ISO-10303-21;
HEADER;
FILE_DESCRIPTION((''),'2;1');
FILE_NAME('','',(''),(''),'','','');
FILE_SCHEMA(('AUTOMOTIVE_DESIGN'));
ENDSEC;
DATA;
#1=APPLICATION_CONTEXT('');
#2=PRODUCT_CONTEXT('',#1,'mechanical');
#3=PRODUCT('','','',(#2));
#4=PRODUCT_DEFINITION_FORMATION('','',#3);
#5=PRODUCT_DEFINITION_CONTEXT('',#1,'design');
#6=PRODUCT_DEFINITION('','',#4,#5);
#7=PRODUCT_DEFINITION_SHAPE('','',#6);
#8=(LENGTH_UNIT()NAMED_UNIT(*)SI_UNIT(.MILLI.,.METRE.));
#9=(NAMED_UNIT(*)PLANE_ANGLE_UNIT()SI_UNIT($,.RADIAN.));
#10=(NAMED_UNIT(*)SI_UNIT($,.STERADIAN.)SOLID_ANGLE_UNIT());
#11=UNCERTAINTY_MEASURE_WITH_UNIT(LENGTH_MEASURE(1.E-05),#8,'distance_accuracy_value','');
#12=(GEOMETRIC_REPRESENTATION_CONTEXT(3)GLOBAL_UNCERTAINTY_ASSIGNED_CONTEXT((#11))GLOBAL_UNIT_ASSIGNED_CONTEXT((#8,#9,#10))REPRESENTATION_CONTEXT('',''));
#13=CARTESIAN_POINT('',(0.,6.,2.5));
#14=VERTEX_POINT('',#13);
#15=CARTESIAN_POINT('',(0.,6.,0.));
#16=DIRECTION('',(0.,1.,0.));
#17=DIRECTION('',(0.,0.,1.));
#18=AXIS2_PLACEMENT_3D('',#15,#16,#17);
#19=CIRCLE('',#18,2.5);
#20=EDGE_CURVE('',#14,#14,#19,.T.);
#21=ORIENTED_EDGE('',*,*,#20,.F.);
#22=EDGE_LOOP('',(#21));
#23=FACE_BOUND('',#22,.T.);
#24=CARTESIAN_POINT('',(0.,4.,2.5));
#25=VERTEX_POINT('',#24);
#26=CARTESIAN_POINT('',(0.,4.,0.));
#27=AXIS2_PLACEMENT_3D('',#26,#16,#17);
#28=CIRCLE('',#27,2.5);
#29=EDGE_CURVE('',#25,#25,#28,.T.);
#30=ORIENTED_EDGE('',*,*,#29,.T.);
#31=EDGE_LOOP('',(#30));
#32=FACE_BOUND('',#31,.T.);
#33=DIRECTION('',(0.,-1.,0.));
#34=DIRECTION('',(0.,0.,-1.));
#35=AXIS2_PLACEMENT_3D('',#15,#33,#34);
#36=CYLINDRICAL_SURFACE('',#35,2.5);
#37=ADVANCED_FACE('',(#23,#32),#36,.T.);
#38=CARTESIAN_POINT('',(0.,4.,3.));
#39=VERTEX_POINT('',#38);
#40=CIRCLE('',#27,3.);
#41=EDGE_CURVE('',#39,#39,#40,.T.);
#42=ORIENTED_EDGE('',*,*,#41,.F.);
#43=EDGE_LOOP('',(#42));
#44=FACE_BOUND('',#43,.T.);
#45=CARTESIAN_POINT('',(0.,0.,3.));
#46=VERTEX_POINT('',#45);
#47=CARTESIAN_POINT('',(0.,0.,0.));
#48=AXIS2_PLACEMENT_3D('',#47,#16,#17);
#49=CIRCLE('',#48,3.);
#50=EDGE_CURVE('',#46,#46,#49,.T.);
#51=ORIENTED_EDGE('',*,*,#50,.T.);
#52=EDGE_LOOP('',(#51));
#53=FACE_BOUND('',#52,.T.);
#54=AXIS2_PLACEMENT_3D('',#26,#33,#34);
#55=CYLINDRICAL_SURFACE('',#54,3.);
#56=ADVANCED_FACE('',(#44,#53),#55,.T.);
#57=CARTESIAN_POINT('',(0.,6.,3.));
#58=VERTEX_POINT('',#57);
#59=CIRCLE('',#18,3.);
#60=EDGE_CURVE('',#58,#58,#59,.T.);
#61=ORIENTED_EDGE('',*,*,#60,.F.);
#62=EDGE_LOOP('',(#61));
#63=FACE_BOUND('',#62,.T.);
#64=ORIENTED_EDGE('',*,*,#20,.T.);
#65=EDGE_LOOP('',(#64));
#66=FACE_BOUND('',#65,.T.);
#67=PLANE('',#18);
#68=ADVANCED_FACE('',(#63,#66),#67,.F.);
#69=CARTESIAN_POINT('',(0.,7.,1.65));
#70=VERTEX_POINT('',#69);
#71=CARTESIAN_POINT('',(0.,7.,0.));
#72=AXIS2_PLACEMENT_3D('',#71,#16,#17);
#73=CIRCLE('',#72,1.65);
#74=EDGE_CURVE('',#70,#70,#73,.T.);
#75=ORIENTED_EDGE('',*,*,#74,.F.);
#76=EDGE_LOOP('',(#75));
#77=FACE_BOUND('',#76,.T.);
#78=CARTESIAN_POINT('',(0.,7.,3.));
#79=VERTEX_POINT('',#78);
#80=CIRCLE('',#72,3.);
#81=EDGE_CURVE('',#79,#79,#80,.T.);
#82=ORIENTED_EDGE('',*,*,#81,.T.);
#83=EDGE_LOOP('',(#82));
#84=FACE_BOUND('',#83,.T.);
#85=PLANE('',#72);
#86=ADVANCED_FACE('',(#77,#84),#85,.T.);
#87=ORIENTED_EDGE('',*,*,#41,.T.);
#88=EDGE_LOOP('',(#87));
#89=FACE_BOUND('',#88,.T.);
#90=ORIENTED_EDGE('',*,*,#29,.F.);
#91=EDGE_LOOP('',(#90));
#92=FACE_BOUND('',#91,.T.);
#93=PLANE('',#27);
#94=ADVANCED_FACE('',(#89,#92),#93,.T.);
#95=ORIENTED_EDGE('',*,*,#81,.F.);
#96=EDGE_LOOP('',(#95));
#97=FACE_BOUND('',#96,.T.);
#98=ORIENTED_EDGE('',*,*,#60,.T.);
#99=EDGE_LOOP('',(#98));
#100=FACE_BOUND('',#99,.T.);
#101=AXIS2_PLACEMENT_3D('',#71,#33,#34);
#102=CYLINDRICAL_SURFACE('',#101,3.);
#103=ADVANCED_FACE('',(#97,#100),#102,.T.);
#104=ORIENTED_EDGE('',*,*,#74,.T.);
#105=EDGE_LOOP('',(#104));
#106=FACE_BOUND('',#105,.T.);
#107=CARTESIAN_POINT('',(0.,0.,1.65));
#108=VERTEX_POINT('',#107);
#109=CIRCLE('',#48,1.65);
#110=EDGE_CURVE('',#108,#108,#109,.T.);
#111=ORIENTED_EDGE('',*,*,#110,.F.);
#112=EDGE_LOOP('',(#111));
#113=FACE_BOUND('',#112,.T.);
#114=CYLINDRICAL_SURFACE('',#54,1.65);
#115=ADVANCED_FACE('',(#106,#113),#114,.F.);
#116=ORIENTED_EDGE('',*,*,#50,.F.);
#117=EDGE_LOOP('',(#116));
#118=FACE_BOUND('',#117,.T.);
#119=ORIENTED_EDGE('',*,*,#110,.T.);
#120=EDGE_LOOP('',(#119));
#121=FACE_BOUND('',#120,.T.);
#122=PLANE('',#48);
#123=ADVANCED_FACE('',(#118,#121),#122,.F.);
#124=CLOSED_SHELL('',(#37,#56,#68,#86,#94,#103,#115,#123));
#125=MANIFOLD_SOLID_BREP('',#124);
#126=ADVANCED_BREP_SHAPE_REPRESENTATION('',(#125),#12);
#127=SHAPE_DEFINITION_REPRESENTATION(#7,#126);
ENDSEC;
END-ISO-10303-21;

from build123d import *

# Parameters (mm, degrees)
SKETCH_1_R      = 3
SKETCH_1_R_2    = 1.65
EXTRUDE_1_DEPTH = 4
SKETCH_2_R      = 2.5
SKETCH_2_R_2    = 1.65
EXTRUDE_2_DEPTH = 2
SKETCH_3_R      = 3
SKETCH_3_R_2    = 1.65
EXTRUDE_3_DEPTH = 1


with BuildPart() as part:
    # 草图1 → 凸台-拉伸1 (new body)
    with BuildSketch(Plane(origin=(0, 0, 0), x_dir=(1, 0, 0), z_dir=(0, 1, 0))):
        with Locations(Location((0, 0, 0), (0, 0, 270))):
            Circle(SKETCH_1_R)
        with Locations(Location((0, 0, 0), (0, 0, 270))):
            Circle(SKETCH_1_R_2, mode=Mode.SUBTRACT)
    extrude(amount=EXTRUDE_1_DEPTH)

    # 草图2 → 凸台-拉伸2 (add)
    with BuildSketch(Plane(origin=(0, 4, 0), x_dir=(1, 0, 0), z_dir=(0, 1, 0))):
        with Locations(Location((0, 0, 0), (0, 0, 270))):
            Circle(SKETCH_2_R)
        with Locations(Location((0, 0, 0), (0, 0, 270))):
            Circle(SKETCH_2_R_2, mode=Mode.SUBTRACT)
    extrude(amount=EXTRUDE_2_DEPTH)

    # 草图3 → 凸台-拉伸3 (add)
    with BuildSketch(Plane(origin=(0, 6, 0), x_dir=(1, 0, 0), z_dir=(0, 1, 0))):
        with Locations(Location((0, 0, 0), (0, 0, 270))):
            Circle(SKETCH_3_R)
        with Locations(Location((0, 0, 0), (0, 0, 270))):
            Circle(SKETCH_3_R_2, mode=Mode.SUBTRACT)
    extrude(amount=EXTRUDE_3_DEPTH)


solid = part.part
